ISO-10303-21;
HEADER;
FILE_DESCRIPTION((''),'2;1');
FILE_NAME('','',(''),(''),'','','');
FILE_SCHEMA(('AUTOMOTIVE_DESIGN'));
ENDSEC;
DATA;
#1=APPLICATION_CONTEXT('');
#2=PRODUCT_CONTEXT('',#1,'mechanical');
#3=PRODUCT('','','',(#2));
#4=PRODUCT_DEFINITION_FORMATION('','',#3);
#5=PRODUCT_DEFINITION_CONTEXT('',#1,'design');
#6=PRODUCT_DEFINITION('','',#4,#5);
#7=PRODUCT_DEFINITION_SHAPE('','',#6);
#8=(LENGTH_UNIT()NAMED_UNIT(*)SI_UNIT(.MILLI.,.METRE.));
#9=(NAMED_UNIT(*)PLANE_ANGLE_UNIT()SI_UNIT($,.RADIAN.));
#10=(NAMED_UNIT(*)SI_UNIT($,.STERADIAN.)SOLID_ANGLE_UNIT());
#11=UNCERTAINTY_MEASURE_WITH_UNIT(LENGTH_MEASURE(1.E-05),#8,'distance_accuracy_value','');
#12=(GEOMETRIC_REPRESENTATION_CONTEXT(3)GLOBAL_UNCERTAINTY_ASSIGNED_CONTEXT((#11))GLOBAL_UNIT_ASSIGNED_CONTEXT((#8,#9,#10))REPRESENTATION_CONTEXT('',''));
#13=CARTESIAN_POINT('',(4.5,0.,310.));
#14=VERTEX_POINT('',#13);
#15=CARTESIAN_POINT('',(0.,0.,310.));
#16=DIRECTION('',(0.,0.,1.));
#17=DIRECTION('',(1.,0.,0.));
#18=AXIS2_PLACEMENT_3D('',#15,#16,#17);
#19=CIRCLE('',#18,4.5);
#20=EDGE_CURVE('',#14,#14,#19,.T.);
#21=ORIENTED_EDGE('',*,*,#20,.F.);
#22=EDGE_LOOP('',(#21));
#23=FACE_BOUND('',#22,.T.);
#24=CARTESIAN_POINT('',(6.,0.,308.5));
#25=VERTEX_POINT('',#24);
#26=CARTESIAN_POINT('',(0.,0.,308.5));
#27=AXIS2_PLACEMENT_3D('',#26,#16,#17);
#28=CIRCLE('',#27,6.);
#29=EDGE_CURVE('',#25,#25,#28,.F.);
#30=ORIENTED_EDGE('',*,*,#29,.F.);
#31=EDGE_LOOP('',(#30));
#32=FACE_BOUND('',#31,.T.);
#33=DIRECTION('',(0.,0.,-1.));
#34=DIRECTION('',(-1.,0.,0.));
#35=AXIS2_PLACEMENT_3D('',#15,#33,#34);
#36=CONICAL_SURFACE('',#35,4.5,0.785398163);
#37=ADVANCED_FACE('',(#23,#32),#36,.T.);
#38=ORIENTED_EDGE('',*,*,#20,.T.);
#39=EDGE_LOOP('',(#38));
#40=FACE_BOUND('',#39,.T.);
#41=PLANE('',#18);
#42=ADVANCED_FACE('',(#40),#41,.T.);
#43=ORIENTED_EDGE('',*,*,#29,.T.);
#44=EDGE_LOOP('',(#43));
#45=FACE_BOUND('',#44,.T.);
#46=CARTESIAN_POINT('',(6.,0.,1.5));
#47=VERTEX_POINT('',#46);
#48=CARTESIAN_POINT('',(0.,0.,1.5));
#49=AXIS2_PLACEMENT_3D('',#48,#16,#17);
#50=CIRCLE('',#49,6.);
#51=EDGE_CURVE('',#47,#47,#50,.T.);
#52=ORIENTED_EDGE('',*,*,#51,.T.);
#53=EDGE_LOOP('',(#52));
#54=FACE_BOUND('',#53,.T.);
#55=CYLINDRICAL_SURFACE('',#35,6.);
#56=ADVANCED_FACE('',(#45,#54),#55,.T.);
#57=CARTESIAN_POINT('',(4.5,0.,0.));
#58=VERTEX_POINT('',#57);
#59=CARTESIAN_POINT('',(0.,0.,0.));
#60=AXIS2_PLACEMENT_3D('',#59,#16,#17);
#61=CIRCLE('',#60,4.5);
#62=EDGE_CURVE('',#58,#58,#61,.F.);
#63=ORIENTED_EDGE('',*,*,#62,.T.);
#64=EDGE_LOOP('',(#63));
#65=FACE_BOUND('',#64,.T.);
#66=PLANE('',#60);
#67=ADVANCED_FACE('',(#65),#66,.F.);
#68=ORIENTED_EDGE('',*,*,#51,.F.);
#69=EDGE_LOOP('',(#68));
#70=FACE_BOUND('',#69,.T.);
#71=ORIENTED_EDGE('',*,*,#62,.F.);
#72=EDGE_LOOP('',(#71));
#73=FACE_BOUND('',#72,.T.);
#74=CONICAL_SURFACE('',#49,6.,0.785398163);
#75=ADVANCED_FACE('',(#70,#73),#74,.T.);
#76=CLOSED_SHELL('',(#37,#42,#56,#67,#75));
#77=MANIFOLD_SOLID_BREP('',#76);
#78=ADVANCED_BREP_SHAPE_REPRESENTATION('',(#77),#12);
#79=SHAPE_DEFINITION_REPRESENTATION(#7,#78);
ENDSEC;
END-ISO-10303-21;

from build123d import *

# Parameters (mm, degrees)
SKETCH1_R           = 6
BOSS_EXTRUDE1_DEPTH = 310
CHAMFER1_SIZE       = 1.5


with BuildPart() as part:
    # Sketch1 → Boss-Extrude1 (new body)
    with BuildSketch(Plane.XY):
        Circle(SKETCH1_R)
    extrude(amount=BOSS_EXTRUDE1_DEPTH)

    # Chamfer1
    chamfer1_edges = [part.edges().sort_by_distance(p)[0] for p in [
        (-6, 0, 0),
        (-6, 0, 310),
    ]]
    chamfer(chamfer1_edges, length=CHAMFER1_SIZE)


solid = part.part
